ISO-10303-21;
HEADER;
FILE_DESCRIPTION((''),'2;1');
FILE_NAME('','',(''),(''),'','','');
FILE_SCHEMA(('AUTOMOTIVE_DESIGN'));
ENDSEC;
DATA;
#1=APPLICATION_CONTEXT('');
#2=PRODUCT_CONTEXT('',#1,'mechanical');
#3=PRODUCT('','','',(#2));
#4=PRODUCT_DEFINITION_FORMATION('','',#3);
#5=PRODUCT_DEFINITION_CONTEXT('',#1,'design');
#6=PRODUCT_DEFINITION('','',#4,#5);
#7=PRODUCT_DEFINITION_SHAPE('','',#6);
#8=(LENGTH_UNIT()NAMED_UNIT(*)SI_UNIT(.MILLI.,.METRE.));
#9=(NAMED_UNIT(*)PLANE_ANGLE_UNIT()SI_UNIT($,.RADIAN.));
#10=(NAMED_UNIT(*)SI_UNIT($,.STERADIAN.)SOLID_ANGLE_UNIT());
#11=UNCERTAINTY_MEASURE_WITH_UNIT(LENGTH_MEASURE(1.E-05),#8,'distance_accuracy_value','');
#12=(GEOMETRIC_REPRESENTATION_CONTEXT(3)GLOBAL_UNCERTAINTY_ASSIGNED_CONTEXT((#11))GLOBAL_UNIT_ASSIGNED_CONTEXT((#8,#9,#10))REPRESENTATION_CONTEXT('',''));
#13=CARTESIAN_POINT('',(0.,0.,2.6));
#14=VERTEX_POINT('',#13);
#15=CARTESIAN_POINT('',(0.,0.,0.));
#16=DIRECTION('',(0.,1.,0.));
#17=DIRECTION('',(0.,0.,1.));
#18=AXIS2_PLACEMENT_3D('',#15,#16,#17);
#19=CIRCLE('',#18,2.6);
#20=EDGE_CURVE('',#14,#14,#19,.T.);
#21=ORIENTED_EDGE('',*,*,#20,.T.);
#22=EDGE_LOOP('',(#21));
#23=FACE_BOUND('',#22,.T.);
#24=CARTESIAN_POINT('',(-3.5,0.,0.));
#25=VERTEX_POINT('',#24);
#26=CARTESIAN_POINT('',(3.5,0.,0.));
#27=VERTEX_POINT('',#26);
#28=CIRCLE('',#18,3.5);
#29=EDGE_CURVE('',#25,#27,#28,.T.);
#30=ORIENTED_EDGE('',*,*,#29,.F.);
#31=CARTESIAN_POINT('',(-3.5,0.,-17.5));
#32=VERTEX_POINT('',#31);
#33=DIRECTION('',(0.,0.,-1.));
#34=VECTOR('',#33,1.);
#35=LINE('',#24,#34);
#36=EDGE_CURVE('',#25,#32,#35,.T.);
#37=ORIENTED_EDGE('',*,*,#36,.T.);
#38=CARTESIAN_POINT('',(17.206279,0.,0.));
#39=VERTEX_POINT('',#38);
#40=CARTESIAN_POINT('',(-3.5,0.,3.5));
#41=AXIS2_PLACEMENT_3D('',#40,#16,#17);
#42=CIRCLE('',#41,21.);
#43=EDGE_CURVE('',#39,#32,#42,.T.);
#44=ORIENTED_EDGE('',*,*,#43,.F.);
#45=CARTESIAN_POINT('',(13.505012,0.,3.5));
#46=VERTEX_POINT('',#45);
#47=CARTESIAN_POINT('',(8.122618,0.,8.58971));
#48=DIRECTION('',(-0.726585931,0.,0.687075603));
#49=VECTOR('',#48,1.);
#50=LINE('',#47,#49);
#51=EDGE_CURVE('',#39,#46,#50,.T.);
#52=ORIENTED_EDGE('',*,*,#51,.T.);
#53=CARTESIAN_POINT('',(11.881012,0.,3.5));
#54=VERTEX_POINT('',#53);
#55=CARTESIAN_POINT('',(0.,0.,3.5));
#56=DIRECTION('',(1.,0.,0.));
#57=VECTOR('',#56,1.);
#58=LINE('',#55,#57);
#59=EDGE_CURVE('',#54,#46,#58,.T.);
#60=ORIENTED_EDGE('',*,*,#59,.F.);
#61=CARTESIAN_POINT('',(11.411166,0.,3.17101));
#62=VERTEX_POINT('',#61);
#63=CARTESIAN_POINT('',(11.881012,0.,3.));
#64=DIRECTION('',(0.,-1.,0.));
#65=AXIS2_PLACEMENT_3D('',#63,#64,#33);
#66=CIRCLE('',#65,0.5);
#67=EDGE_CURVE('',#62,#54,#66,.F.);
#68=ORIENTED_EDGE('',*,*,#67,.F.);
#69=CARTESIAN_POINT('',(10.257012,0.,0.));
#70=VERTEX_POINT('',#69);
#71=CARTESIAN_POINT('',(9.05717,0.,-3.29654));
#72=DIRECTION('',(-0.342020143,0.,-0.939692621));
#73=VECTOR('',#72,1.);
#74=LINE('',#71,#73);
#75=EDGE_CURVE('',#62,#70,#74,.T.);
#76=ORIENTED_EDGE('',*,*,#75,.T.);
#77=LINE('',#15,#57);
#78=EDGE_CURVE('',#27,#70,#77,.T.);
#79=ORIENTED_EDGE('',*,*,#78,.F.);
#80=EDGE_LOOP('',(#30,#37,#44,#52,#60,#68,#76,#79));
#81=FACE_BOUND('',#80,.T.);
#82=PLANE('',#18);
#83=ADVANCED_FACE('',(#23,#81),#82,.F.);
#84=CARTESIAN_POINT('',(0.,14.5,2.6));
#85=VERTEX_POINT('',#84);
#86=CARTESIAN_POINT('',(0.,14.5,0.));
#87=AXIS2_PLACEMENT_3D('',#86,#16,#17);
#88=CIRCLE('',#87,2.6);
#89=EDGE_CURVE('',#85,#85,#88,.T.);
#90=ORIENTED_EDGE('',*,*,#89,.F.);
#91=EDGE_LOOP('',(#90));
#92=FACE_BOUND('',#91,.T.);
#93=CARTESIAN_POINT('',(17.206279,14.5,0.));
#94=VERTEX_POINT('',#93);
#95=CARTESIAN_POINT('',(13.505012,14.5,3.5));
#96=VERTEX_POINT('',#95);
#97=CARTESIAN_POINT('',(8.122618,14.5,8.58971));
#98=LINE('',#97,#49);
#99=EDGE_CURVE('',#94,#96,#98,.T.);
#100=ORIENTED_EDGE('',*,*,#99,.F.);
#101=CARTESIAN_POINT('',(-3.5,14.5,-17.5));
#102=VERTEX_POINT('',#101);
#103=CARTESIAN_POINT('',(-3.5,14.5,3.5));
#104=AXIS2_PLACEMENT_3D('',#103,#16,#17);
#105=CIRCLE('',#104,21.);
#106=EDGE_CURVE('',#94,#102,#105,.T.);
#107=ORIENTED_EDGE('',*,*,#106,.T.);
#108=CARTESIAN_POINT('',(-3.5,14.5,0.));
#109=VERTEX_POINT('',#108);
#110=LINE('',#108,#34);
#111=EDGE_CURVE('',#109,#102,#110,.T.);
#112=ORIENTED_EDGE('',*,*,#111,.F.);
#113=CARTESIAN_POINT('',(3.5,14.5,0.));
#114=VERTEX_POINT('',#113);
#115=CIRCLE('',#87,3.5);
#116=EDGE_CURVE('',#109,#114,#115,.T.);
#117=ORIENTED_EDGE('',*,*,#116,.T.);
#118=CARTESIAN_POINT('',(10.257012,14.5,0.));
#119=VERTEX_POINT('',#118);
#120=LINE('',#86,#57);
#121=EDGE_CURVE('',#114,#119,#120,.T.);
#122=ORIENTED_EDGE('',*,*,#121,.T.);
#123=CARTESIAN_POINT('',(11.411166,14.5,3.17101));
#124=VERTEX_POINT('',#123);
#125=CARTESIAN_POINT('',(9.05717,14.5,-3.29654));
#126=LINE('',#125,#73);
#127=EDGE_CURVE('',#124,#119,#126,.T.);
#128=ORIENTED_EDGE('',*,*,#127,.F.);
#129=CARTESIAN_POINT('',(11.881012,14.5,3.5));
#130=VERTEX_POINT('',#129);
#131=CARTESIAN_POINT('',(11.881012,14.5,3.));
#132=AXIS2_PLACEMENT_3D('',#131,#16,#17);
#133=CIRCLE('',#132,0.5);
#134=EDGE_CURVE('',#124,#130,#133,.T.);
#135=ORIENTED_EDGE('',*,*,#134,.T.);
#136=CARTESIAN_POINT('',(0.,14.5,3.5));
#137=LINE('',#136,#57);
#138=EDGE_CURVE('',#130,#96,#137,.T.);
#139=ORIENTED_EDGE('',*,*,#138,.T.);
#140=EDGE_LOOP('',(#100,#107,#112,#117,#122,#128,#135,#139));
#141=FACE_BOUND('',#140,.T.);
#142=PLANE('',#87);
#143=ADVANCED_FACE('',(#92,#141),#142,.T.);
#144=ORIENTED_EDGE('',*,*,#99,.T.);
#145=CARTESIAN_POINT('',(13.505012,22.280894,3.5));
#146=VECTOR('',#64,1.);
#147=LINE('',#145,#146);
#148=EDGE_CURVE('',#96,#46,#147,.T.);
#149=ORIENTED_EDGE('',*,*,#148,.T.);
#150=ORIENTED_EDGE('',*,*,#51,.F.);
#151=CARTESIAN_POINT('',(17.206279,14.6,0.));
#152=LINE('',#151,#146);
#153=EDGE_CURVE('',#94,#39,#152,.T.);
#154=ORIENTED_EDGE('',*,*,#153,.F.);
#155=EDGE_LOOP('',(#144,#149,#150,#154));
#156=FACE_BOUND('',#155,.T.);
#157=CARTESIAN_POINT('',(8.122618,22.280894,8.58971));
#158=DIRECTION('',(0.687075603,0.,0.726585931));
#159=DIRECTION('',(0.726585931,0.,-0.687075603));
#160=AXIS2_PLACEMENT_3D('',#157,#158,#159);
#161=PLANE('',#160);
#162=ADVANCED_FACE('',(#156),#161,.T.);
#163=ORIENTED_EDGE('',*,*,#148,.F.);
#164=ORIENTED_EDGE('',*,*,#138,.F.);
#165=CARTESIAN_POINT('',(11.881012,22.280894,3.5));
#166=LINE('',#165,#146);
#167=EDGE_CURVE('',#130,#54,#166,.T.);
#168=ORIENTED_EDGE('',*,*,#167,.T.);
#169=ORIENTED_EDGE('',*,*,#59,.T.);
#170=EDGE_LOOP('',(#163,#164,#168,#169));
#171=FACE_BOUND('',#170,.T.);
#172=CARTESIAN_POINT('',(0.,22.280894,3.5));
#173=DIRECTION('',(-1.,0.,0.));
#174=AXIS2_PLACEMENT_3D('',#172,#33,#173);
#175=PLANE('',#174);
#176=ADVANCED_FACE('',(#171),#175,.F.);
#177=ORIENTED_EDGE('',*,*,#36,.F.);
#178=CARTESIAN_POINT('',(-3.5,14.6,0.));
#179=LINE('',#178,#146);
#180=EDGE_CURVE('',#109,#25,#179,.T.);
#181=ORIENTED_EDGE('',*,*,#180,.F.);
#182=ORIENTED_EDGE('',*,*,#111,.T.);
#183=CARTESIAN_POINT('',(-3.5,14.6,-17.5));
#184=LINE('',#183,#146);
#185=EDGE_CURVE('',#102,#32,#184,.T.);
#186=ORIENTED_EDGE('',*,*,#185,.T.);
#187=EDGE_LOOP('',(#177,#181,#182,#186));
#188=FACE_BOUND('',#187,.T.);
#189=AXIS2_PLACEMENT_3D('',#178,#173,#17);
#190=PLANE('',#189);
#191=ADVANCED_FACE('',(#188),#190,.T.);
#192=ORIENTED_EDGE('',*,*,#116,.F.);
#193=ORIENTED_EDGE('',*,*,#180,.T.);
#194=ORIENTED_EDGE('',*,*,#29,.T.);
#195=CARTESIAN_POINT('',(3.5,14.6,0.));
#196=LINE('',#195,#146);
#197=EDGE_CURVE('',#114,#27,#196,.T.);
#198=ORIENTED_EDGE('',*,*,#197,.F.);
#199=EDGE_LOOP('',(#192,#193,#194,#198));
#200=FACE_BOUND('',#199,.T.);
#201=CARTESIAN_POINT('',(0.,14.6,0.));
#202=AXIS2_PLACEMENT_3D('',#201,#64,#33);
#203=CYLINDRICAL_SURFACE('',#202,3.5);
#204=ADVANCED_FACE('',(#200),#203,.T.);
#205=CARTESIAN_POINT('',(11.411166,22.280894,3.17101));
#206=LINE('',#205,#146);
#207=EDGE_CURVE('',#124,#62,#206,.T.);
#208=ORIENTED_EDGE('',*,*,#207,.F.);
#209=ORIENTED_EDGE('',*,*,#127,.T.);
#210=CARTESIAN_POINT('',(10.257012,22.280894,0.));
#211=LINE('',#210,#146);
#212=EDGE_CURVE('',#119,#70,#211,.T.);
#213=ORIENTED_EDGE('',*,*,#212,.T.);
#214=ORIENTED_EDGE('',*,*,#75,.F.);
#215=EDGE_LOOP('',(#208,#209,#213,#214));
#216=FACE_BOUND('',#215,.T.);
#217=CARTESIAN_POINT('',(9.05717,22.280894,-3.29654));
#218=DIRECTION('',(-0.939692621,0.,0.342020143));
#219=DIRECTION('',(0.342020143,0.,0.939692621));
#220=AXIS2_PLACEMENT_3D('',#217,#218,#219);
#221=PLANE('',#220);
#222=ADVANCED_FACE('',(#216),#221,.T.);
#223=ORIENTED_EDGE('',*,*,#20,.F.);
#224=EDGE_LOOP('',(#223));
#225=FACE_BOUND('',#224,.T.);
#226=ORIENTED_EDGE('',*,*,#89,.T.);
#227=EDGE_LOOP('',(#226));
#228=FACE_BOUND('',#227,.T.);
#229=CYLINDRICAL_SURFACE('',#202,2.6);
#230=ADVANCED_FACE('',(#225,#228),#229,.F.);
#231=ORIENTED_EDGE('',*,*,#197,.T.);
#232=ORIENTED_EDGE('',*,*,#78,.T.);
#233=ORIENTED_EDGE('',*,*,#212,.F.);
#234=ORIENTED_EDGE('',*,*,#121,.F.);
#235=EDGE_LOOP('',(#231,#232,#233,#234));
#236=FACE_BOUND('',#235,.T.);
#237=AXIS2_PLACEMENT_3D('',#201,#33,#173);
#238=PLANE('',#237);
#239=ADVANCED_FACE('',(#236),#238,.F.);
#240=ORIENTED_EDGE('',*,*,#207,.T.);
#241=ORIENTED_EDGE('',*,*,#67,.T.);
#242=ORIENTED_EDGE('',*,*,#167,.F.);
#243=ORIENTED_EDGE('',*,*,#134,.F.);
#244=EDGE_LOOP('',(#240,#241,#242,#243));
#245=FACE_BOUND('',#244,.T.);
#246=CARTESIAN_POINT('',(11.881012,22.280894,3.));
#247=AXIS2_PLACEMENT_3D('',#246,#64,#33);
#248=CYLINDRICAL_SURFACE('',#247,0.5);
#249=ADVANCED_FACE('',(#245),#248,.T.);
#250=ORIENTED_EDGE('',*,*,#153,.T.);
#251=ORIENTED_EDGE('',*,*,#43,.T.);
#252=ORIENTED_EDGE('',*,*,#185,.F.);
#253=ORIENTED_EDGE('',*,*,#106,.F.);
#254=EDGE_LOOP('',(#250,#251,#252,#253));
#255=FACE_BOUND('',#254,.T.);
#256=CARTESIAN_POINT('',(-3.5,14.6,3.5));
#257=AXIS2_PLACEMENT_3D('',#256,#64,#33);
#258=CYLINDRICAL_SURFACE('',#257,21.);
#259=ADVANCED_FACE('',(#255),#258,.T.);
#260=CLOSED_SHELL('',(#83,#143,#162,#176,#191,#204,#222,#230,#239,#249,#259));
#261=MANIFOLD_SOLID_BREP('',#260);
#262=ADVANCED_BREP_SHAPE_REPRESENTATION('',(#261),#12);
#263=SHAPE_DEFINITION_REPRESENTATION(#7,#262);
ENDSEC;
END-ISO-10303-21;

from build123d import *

# Parameters (mm, degrees)
SKETCH2_R           = 3.5
SKETCH2_R_2         = 2.6
BOSS_EXTRUDE1_DEPTH = 14.6
SKETCH4_W           = 39.254699086
SKETCH4_H           = 35.178673269
CUT_EXTRUDE1_DEPTH  = 0.1
BOSS_EXTRUDE5_DEPTH = 14.5


with BuildPart() as part:
    # Sketch2 → Boss-Extrude1 (new body)
    # profile 1 of 2: a face of its own
    with BuildSketch(Plane(origin=(0, 0, 0), x_dir=(1, 0, 0), z_dir=(0, 1, 0))):
        with BuildLine():
            Line((-3.5, 17.5), (-3.5, 0))
            ThreePointArc((-3.5, 0), (0, 3.5), (3.5, 0))
            Line((3.5, 0), (17.206279241, 0))
            ThreePointArc((17.206279241, 0), (10.055441712, 12.539014932), (-3.5, 17.5))
        make_face()
    # profile 2 of 2: a face of its own
    with BuildSketch(Plane(origin=(0, 0, 0), x_dir=(1, 0, 0), z_dir=(0, 1, 0))):
        Circle(SKETCH2_R)
        with Locations(Location((0, 0, 0), (0, 0, 270))):
            Circle(SKETCH2_R_2, mode=Mode.SUBTRACT)
    extrude(amount=BOSS_EXTRUDE1_DEPTH)

    # Sketch4 → Cut-Extrude1 (cut)
    with BuildSketch(Plane(origin=(0, 14.6, 0), x_dir=(1, 0, 0), z_dir=(0, 1, 0))):
        with Locations((10.965886391, 4.797703191)):
            Rectangle(SKETCH4_W, SKETCH4_H)
    extrude(amount=-CUT_EXTRUDE1_DEPTH, mode=Mode.SUBTRACT)

    # Sketch7 → Boss-Extrude5 (add)
    with BuildSketch(Plane(origin=(0, 0, 0), x_dir=(-1, 0, 0), z_dir=(0, -1, 0))):
        with BuildLine():
            ThreePointArc((-11.881011918, -3.5), (-11.5942237, -3.409576022), (-11.411165608, -3.171010072))
            Line((-11.411165608, -3.171010072), (-10.257012329, 0))
            Line((-10.257012329, 0), (-13.505011507, 0))
            Line((-13.505011507, 0), (-17.206279241, 0))
            Line((-17.206279241, 0), (-13.505011507, -3.5))
            Line((-13.505011507, -3.5), (-11.881011918, -3.5))
        make_face()
    extrude(amount=-BOSS_EXTRUDE5_DEPTH)


solid = part.part
